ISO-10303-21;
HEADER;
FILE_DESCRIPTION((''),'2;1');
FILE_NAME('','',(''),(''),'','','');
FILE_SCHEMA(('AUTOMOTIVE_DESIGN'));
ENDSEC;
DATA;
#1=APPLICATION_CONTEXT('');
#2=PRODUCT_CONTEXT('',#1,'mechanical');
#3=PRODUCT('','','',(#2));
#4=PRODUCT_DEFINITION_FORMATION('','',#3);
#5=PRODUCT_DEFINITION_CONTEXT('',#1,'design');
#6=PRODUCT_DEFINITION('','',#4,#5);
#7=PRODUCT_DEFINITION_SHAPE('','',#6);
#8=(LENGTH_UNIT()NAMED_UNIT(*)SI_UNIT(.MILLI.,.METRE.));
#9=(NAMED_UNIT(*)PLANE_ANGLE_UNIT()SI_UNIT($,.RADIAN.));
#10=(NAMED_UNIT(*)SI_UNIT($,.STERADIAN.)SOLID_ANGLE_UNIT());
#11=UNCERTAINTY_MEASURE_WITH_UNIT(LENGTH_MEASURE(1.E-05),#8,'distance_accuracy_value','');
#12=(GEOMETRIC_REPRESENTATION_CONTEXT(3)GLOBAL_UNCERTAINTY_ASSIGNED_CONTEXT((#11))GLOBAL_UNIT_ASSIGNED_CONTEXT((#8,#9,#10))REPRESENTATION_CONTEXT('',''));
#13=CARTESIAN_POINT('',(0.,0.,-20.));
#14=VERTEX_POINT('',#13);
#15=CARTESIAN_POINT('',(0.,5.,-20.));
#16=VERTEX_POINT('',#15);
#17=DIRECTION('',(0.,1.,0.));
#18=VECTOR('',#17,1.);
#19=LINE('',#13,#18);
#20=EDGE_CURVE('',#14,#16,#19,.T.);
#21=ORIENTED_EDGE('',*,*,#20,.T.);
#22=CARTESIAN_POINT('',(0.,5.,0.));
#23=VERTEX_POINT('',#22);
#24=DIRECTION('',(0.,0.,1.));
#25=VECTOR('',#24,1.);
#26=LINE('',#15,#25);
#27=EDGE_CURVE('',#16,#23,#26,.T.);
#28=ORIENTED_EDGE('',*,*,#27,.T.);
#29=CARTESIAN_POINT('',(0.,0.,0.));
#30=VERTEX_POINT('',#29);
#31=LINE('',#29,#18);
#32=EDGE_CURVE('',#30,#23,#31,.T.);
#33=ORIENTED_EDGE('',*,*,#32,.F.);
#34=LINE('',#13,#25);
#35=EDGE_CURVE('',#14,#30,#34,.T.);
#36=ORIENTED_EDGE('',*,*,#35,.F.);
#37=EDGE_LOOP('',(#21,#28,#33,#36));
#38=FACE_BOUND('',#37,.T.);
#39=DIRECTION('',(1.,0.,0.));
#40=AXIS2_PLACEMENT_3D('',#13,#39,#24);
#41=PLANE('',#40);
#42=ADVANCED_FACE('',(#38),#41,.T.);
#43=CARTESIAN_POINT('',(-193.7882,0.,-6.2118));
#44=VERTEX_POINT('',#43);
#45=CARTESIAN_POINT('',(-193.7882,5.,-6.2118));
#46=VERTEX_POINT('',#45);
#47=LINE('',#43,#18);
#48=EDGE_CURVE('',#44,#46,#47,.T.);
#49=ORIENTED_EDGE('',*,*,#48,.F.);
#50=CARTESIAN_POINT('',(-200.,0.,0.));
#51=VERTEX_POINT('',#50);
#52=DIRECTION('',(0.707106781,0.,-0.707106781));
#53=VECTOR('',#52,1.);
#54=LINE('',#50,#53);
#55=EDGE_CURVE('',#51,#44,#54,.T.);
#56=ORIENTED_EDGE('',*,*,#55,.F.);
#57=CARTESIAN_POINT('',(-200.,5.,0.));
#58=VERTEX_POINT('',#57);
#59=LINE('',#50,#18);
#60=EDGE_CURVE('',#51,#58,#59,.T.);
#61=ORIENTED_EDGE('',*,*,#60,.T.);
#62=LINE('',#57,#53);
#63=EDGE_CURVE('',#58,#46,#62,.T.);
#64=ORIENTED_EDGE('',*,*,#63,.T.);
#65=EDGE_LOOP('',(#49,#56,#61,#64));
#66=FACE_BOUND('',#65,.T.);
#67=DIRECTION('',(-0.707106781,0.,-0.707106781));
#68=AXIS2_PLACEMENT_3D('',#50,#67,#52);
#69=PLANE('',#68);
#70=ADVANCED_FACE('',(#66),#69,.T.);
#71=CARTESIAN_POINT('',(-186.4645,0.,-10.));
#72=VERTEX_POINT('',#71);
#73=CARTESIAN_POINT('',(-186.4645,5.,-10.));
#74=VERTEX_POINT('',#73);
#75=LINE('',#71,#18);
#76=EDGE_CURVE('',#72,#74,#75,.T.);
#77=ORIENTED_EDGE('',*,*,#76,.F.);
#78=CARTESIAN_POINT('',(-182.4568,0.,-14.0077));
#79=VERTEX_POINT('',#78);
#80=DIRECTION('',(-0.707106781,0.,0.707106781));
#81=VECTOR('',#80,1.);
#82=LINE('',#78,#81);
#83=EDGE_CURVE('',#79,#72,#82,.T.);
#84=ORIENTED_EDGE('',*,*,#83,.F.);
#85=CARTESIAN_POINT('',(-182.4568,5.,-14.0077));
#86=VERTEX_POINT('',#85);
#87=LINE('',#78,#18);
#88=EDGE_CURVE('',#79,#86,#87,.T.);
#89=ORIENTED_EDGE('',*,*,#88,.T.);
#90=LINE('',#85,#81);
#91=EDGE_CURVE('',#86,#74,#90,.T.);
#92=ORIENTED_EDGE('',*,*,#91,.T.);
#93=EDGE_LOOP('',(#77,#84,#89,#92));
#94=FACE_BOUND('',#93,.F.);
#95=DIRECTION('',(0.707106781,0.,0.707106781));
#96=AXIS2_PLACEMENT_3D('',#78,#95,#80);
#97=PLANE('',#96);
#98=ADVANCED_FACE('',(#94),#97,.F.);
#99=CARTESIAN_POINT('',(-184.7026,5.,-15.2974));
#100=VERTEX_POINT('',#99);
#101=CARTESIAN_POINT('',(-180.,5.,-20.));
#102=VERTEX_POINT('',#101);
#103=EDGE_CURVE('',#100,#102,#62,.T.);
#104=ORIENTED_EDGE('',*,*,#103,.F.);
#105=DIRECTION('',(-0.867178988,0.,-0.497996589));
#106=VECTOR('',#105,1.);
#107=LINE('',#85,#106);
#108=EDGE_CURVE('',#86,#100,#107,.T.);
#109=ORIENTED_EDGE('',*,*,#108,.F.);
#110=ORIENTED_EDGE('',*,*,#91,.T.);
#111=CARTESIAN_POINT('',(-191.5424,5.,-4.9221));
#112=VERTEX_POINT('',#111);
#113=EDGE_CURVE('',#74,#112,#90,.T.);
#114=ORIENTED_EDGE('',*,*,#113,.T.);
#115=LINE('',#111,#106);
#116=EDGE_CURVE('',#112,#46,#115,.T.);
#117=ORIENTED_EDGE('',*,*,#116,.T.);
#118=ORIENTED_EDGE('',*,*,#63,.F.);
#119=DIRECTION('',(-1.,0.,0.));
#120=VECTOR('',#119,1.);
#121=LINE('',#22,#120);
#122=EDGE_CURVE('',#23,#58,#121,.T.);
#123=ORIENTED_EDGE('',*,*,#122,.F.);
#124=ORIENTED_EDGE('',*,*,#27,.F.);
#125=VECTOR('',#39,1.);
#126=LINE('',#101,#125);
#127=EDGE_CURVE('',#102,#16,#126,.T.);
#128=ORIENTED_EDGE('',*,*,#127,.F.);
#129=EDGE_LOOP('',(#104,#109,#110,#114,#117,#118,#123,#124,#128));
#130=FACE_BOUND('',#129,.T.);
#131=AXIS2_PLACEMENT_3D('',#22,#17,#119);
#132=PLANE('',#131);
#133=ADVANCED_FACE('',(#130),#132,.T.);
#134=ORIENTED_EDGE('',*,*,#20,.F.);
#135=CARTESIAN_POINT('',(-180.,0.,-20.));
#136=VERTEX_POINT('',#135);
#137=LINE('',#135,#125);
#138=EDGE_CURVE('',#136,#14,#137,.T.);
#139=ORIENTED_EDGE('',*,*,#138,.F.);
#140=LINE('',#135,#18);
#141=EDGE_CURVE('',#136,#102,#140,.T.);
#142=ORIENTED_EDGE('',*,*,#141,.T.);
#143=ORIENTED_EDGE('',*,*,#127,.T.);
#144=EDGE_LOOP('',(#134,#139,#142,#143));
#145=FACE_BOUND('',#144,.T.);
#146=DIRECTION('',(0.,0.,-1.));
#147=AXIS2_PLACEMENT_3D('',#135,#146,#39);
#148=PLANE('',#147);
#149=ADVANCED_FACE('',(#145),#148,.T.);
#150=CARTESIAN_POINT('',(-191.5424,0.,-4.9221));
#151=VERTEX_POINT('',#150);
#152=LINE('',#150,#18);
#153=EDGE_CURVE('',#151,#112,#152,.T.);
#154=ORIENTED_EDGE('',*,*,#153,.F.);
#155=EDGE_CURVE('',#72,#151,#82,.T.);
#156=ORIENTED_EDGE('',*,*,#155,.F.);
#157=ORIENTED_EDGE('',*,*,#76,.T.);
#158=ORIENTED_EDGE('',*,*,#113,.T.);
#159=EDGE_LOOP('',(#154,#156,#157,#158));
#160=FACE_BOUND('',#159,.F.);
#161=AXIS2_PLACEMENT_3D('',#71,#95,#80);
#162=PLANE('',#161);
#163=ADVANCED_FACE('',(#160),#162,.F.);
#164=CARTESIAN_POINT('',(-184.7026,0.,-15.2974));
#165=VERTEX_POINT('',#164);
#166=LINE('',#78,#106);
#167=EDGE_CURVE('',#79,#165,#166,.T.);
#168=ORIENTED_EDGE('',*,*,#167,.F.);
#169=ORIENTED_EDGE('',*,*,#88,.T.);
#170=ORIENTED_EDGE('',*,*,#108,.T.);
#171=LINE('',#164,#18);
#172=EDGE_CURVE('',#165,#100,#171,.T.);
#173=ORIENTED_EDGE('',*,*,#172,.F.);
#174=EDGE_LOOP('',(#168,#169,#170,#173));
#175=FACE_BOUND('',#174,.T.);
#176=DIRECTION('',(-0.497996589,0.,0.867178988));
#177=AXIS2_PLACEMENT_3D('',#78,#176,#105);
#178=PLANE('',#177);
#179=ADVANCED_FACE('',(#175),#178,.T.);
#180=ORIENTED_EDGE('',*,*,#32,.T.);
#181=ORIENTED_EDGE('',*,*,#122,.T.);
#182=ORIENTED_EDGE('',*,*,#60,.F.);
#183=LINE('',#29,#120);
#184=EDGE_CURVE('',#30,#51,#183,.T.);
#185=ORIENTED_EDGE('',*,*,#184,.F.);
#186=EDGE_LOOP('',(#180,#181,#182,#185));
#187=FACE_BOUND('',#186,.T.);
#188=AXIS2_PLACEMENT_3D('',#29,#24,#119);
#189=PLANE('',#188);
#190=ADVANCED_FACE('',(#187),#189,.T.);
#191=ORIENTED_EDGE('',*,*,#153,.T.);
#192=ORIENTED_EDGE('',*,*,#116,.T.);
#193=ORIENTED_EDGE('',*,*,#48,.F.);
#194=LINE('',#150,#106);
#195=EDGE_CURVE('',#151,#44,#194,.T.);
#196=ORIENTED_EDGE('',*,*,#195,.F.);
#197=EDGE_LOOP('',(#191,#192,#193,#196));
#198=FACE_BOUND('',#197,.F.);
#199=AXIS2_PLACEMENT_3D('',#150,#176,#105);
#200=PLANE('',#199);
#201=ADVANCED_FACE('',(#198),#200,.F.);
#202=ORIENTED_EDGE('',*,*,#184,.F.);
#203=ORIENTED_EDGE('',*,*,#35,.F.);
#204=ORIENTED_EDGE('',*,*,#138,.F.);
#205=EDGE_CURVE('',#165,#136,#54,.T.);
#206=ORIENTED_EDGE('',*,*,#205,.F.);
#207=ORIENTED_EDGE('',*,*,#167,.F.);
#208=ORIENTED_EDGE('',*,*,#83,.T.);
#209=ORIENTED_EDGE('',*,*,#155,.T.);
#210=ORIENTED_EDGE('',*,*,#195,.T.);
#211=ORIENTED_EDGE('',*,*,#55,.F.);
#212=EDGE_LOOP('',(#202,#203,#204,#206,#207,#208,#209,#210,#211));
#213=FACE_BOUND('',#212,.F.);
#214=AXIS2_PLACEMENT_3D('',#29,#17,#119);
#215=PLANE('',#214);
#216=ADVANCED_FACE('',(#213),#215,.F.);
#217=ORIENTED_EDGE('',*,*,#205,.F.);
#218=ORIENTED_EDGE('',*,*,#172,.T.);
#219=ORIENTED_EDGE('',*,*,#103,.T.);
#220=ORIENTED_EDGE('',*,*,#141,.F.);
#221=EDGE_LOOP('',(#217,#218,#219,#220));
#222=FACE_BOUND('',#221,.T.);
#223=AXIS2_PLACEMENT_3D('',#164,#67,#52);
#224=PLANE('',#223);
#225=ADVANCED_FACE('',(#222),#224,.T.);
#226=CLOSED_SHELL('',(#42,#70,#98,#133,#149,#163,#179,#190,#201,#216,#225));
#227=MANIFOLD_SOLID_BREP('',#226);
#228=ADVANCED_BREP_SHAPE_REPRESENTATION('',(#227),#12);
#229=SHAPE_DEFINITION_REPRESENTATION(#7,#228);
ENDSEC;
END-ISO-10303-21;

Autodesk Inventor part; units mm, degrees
ref_plane "YZ Plane" through (0, 0, 0) normal (1, 0, 0) x (0, 1, 0)
ref_plane "XZ Plane" through (0, 0, 0) normal (0, 1, 0) x (-1, 0, 0)
ref_plane "XY Plane" through (0, 0, 0) normal (0, 0, 1) x (1, 0, 0)
sketch "Sketch1" plane through (0, 0, 0) normal (0, 1, 0) x (-1, 0, 0)
  line L0 (0, 0) -> (200, 0)
  line L1 (200, 0) -> (200, -7.5533)
  line L2 (180, -20) -> (0, -20)
  line L3 (0, -20) -> (0, 0)
  line L4 (200, 0) -> (180, -20)
  line L5 (182.0213, -10) -> (194.6749, -10)
  line L6 (182.4568, -14.0077) -> (191.5424, -4.9221)
  line L7 (182.4568, -14.0077) -> (184.7026, -15.2974)
  line L8 (191.5424, -4.9221) -> (193.7882, -6.2118)
  point P0 (200, -10)
  dimension "d0" = 20
  dimension "d1" = 200
  dimension "d7" = 10
  dimension "d8" = 2.5
  dimension "d9" = 12.849
extrude "Extrusion1" add sketch "Sketch1" along normal blind 5 contours L0 L4 L8 L6 L7 L2 L3
properties part number "Yaxix" material "Wood (Birch)"
